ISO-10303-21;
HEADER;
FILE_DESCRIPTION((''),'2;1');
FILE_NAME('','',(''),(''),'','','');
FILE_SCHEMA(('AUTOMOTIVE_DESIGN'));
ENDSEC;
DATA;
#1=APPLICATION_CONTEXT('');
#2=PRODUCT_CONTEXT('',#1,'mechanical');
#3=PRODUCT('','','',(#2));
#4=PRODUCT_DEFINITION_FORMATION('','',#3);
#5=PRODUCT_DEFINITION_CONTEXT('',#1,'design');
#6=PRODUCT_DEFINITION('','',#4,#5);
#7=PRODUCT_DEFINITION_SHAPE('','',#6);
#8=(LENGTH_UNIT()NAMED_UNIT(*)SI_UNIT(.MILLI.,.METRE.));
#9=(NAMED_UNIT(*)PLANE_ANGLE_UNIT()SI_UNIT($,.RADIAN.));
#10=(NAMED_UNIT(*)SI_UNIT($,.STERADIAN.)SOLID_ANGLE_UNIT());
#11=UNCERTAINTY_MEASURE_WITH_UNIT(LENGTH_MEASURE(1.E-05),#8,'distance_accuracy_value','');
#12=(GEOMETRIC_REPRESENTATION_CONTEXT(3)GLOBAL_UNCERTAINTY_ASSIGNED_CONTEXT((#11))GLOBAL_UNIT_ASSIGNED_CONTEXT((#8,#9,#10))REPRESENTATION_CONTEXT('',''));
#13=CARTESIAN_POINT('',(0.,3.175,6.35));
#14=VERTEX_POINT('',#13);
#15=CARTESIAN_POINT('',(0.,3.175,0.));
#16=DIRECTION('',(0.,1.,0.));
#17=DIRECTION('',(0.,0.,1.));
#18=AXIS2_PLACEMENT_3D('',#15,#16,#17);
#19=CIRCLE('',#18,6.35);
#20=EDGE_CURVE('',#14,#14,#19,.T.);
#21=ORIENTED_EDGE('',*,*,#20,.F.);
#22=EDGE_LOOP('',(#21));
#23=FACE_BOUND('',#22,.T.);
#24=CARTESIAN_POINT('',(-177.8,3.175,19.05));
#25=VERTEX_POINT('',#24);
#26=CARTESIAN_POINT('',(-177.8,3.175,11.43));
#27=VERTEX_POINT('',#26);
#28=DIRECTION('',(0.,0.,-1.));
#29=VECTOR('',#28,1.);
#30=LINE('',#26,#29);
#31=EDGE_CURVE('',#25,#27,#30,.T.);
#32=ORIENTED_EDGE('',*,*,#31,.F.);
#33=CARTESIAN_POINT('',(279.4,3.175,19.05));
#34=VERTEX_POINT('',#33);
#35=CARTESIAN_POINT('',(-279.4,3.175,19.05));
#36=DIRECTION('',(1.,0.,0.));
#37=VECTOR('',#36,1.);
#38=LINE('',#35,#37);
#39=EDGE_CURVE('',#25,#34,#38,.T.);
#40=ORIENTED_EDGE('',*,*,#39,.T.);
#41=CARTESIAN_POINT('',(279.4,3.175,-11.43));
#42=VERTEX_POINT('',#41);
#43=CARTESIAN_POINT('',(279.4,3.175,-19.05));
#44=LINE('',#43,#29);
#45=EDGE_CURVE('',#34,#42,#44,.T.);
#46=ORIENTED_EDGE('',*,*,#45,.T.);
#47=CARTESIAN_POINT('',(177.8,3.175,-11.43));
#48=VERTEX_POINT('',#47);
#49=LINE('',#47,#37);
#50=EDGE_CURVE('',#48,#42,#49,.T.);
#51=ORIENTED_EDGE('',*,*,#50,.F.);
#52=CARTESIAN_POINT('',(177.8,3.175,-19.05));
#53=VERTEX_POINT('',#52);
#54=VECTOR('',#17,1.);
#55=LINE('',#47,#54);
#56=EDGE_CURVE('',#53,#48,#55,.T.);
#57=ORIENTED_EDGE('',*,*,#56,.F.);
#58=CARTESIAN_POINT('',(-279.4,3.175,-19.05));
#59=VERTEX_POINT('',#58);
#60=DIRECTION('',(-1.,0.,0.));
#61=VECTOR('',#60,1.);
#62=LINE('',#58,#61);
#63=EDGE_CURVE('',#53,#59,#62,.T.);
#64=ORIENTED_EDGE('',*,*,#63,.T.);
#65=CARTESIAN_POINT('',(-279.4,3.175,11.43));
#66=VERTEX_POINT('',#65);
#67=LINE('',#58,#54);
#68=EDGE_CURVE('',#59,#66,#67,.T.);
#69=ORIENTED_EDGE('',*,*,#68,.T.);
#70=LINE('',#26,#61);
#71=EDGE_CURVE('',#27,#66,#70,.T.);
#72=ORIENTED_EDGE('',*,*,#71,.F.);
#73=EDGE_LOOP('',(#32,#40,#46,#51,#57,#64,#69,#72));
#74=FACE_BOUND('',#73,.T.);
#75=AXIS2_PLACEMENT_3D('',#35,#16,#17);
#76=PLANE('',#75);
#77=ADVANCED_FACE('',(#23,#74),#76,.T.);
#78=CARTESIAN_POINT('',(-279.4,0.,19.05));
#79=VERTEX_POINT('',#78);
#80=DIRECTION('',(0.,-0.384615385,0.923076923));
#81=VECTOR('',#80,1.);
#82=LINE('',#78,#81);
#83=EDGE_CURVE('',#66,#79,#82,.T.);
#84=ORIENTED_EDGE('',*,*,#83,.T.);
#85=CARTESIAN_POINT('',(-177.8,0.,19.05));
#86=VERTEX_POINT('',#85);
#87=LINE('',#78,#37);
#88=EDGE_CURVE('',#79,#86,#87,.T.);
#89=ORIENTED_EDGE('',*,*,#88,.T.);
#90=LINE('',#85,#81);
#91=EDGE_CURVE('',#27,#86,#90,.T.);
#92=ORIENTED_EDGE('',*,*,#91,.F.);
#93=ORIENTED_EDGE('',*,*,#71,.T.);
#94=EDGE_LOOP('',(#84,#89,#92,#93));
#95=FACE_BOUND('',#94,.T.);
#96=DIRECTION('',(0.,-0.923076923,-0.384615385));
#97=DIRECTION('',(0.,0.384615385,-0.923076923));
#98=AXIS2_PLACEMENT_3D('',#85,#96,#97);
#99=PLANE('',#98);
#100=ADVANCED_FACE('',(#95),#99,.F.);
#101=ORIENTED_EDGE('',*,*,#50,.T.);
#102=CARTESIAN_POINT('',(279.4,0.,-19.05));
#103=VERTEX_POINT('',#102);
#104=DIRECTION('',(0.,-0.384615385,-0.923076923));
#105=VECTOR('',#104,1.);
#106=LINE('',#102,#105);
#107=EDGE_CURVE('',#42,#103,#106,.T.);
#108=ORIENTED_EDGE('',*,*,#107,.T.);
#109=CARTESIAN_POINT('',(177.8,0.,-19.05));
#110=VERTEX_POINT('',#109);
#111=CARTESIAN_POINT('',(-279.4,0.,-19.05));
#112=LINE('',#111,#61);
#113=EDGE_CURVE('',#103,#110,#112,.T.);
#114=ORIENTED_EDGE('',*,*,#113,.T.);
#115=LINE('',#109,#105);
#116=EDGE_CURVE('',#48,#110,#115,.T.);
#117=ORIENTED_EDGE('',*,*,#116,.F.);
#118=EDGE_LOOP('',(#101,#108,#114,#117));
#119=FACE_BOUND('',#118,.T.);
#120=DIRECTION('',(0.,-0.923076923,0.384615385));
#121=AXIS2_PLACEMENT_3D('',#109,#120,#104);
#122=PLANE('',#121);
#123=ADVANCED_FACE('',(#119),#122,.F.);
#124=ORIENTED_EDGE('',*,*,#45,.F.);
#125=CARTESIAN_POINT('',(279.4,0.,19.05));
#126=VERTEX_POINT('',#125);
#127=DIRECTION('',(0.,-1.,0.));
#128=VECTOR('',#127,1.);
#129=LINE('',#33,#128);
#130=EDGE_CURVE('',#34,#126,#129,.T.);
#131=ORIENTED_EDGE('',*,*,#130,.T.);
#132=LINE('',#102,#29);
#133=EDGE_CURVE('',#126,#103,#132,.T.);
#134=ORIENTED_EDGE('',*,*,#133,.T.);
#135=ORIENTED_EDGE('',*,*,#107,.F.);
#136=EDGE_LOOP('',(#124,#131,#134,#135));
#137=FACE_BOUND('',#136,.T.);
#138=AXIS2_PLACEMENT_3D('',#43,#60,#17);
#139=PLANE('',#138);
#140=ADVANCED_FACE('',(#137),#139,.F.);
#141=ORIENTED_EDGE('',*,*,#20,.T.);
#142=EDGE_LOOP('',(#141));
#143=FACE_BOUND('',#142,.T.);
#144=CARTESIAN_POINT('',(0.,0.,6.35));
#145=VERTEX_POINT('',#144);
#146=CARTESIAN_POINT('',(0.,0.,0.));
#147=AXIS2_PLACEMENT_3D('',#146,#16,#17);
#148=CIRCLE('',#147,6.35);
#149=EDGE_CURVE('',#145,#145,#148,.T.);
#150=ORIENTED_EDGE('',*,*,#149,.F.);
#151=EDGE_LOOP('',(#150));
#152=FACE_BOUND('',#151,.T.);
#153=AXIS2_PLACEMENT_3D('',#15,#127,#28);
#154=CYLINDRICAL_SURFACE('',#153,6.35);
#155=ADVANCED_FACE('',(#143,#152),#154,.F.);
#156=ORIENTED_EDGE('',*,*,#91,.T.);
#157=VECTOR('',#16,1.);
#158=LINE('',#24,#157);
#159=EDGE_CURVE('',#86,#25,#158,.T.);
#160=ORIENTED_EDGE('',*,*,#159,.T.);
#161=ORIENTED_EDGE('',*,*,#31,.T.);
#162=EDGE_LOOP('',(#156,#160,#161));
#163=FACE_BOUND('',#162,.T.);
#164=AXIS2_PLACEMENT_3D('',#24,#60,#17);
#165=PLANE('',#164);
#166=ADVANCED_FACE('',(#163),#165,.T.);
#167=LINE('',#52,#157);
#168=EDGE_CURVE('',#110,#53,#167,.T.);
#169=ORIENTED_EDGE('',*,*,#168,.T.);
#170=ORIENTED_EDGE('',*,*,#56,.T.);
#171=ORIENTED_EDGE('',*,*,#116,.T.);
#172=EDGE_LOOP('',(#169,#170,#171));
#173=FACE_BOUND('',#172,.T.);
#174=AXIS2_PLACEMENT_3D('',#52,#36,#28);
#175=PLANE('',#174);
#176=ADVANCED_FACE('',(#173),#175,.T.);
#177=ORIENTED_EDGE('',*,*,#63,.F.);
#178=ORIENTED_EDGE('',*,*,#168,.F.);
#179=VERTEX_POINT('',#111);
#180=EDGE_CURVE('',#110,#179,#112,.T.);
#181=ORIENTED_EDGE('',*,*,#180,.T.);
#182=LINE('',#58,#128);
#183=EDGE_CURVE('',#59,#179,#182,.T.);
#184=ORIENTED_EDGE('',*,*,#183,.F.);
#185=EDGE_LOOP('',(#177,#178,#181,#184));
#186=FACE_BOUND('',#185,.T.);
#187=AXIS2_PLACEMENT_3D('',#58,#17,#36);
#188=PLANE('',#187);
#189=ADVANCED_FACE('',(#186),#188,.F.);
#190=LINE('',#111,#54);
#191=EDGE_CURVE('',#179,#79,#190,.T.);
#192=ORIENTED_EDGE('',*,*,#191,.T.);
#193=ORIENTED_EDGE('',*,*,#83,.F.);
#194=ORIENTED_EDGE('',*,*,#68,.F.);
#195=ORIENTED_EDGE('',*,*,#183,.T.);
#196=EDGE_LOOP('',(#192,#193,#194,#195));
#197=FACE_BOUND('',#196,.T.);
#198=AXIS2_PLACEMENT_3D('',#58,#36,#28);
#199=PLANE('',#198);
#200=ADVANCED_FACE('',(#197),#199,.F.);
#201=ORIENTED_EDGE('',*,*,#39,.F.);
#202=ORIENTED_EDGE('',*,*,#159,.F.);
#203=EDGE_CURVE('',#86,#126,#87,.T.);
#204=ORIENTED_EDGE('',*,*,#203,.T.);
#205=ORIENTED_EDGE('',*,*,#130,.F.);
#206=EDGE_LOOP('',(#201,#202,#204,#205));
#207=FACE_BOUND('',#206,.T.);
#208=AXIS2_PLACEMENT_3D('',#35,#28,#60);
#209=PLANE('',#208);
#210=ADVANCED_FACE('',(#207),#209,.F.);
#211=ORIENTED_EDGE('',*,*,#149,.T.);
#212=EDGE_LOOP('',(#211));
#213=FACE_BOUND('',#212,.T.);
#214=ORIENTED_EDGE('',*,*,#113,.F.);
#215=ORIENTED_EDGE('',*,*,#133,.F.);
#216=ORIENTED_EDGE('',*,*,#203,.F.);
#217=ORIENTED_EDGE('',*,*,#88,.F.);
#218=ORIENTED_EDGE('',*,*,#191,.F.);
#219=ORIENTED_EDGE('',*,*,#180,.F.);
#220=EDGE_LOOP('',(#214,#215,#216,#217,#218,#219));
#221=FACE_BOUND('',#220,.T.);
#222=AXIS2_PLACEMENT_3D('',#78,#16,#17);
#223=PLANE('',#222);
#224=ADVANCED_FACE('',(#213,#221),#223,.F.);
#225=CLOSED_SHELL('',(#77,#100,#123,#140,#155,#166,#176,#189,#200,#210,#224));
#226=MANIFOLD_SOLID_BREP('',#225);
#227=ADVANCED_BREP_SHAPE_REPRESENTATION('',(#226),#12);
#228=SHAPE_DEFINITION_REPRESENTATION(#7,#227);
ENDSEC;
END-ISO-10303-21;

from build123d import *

# Parameters (mm, degrees)
SKETCH2_W            = 558.8
SKETCH2_H            = 38.1
SKETCH2_R            = 6.35
MOWER_BLADE_DEPTH    = 3.175
CUTTING_EDGE_1_DEPTH = 101.6
CUTTING_EDGE_2_DEPTH = 101.6


with BuildPart() as part:
    # Sketch2 → Mower Blade (new body)
    with BuildSketch(Plane(origin=(0, 0, 0), x_dir=(1, 0, 0), z_dir=(0, 1, 0))):
        Rectangle(SKETCH2_W, SKETCH2_H)
        Circle(SKETCH2_R, mode=Mode.SUBTRACT)
    extrude(amount=MOWER_BLADE_DEPTH)

    # Sketch3 → Cutting Edge #1 (cut)
    with BuildSketch(Plane(origin=(279.4, 0, 0), x_dir=(0, 0, -1), z_dir=(1, 0, 0))):
        Polygon((19.05, 0), (11.43, 3.175), (19.05, 3.175), align=None)
    extrude(amount=-CUTTING_EDGE_1_DEPTH, mode=Mode.SUBTRACT)

    # Sketch4 → Cutting Edge #2 (cut)
    with BuildSketch(Plane.ZY.offset(279.4)):
        Polygon((19.05, 0), (11.43, 3.175), (19.05, 3.175), align=None)
    extrude(amount=-CUTTING_EDGE_2_DEPTH, mode=Mode.SUBTRACT)


solid = part.part
